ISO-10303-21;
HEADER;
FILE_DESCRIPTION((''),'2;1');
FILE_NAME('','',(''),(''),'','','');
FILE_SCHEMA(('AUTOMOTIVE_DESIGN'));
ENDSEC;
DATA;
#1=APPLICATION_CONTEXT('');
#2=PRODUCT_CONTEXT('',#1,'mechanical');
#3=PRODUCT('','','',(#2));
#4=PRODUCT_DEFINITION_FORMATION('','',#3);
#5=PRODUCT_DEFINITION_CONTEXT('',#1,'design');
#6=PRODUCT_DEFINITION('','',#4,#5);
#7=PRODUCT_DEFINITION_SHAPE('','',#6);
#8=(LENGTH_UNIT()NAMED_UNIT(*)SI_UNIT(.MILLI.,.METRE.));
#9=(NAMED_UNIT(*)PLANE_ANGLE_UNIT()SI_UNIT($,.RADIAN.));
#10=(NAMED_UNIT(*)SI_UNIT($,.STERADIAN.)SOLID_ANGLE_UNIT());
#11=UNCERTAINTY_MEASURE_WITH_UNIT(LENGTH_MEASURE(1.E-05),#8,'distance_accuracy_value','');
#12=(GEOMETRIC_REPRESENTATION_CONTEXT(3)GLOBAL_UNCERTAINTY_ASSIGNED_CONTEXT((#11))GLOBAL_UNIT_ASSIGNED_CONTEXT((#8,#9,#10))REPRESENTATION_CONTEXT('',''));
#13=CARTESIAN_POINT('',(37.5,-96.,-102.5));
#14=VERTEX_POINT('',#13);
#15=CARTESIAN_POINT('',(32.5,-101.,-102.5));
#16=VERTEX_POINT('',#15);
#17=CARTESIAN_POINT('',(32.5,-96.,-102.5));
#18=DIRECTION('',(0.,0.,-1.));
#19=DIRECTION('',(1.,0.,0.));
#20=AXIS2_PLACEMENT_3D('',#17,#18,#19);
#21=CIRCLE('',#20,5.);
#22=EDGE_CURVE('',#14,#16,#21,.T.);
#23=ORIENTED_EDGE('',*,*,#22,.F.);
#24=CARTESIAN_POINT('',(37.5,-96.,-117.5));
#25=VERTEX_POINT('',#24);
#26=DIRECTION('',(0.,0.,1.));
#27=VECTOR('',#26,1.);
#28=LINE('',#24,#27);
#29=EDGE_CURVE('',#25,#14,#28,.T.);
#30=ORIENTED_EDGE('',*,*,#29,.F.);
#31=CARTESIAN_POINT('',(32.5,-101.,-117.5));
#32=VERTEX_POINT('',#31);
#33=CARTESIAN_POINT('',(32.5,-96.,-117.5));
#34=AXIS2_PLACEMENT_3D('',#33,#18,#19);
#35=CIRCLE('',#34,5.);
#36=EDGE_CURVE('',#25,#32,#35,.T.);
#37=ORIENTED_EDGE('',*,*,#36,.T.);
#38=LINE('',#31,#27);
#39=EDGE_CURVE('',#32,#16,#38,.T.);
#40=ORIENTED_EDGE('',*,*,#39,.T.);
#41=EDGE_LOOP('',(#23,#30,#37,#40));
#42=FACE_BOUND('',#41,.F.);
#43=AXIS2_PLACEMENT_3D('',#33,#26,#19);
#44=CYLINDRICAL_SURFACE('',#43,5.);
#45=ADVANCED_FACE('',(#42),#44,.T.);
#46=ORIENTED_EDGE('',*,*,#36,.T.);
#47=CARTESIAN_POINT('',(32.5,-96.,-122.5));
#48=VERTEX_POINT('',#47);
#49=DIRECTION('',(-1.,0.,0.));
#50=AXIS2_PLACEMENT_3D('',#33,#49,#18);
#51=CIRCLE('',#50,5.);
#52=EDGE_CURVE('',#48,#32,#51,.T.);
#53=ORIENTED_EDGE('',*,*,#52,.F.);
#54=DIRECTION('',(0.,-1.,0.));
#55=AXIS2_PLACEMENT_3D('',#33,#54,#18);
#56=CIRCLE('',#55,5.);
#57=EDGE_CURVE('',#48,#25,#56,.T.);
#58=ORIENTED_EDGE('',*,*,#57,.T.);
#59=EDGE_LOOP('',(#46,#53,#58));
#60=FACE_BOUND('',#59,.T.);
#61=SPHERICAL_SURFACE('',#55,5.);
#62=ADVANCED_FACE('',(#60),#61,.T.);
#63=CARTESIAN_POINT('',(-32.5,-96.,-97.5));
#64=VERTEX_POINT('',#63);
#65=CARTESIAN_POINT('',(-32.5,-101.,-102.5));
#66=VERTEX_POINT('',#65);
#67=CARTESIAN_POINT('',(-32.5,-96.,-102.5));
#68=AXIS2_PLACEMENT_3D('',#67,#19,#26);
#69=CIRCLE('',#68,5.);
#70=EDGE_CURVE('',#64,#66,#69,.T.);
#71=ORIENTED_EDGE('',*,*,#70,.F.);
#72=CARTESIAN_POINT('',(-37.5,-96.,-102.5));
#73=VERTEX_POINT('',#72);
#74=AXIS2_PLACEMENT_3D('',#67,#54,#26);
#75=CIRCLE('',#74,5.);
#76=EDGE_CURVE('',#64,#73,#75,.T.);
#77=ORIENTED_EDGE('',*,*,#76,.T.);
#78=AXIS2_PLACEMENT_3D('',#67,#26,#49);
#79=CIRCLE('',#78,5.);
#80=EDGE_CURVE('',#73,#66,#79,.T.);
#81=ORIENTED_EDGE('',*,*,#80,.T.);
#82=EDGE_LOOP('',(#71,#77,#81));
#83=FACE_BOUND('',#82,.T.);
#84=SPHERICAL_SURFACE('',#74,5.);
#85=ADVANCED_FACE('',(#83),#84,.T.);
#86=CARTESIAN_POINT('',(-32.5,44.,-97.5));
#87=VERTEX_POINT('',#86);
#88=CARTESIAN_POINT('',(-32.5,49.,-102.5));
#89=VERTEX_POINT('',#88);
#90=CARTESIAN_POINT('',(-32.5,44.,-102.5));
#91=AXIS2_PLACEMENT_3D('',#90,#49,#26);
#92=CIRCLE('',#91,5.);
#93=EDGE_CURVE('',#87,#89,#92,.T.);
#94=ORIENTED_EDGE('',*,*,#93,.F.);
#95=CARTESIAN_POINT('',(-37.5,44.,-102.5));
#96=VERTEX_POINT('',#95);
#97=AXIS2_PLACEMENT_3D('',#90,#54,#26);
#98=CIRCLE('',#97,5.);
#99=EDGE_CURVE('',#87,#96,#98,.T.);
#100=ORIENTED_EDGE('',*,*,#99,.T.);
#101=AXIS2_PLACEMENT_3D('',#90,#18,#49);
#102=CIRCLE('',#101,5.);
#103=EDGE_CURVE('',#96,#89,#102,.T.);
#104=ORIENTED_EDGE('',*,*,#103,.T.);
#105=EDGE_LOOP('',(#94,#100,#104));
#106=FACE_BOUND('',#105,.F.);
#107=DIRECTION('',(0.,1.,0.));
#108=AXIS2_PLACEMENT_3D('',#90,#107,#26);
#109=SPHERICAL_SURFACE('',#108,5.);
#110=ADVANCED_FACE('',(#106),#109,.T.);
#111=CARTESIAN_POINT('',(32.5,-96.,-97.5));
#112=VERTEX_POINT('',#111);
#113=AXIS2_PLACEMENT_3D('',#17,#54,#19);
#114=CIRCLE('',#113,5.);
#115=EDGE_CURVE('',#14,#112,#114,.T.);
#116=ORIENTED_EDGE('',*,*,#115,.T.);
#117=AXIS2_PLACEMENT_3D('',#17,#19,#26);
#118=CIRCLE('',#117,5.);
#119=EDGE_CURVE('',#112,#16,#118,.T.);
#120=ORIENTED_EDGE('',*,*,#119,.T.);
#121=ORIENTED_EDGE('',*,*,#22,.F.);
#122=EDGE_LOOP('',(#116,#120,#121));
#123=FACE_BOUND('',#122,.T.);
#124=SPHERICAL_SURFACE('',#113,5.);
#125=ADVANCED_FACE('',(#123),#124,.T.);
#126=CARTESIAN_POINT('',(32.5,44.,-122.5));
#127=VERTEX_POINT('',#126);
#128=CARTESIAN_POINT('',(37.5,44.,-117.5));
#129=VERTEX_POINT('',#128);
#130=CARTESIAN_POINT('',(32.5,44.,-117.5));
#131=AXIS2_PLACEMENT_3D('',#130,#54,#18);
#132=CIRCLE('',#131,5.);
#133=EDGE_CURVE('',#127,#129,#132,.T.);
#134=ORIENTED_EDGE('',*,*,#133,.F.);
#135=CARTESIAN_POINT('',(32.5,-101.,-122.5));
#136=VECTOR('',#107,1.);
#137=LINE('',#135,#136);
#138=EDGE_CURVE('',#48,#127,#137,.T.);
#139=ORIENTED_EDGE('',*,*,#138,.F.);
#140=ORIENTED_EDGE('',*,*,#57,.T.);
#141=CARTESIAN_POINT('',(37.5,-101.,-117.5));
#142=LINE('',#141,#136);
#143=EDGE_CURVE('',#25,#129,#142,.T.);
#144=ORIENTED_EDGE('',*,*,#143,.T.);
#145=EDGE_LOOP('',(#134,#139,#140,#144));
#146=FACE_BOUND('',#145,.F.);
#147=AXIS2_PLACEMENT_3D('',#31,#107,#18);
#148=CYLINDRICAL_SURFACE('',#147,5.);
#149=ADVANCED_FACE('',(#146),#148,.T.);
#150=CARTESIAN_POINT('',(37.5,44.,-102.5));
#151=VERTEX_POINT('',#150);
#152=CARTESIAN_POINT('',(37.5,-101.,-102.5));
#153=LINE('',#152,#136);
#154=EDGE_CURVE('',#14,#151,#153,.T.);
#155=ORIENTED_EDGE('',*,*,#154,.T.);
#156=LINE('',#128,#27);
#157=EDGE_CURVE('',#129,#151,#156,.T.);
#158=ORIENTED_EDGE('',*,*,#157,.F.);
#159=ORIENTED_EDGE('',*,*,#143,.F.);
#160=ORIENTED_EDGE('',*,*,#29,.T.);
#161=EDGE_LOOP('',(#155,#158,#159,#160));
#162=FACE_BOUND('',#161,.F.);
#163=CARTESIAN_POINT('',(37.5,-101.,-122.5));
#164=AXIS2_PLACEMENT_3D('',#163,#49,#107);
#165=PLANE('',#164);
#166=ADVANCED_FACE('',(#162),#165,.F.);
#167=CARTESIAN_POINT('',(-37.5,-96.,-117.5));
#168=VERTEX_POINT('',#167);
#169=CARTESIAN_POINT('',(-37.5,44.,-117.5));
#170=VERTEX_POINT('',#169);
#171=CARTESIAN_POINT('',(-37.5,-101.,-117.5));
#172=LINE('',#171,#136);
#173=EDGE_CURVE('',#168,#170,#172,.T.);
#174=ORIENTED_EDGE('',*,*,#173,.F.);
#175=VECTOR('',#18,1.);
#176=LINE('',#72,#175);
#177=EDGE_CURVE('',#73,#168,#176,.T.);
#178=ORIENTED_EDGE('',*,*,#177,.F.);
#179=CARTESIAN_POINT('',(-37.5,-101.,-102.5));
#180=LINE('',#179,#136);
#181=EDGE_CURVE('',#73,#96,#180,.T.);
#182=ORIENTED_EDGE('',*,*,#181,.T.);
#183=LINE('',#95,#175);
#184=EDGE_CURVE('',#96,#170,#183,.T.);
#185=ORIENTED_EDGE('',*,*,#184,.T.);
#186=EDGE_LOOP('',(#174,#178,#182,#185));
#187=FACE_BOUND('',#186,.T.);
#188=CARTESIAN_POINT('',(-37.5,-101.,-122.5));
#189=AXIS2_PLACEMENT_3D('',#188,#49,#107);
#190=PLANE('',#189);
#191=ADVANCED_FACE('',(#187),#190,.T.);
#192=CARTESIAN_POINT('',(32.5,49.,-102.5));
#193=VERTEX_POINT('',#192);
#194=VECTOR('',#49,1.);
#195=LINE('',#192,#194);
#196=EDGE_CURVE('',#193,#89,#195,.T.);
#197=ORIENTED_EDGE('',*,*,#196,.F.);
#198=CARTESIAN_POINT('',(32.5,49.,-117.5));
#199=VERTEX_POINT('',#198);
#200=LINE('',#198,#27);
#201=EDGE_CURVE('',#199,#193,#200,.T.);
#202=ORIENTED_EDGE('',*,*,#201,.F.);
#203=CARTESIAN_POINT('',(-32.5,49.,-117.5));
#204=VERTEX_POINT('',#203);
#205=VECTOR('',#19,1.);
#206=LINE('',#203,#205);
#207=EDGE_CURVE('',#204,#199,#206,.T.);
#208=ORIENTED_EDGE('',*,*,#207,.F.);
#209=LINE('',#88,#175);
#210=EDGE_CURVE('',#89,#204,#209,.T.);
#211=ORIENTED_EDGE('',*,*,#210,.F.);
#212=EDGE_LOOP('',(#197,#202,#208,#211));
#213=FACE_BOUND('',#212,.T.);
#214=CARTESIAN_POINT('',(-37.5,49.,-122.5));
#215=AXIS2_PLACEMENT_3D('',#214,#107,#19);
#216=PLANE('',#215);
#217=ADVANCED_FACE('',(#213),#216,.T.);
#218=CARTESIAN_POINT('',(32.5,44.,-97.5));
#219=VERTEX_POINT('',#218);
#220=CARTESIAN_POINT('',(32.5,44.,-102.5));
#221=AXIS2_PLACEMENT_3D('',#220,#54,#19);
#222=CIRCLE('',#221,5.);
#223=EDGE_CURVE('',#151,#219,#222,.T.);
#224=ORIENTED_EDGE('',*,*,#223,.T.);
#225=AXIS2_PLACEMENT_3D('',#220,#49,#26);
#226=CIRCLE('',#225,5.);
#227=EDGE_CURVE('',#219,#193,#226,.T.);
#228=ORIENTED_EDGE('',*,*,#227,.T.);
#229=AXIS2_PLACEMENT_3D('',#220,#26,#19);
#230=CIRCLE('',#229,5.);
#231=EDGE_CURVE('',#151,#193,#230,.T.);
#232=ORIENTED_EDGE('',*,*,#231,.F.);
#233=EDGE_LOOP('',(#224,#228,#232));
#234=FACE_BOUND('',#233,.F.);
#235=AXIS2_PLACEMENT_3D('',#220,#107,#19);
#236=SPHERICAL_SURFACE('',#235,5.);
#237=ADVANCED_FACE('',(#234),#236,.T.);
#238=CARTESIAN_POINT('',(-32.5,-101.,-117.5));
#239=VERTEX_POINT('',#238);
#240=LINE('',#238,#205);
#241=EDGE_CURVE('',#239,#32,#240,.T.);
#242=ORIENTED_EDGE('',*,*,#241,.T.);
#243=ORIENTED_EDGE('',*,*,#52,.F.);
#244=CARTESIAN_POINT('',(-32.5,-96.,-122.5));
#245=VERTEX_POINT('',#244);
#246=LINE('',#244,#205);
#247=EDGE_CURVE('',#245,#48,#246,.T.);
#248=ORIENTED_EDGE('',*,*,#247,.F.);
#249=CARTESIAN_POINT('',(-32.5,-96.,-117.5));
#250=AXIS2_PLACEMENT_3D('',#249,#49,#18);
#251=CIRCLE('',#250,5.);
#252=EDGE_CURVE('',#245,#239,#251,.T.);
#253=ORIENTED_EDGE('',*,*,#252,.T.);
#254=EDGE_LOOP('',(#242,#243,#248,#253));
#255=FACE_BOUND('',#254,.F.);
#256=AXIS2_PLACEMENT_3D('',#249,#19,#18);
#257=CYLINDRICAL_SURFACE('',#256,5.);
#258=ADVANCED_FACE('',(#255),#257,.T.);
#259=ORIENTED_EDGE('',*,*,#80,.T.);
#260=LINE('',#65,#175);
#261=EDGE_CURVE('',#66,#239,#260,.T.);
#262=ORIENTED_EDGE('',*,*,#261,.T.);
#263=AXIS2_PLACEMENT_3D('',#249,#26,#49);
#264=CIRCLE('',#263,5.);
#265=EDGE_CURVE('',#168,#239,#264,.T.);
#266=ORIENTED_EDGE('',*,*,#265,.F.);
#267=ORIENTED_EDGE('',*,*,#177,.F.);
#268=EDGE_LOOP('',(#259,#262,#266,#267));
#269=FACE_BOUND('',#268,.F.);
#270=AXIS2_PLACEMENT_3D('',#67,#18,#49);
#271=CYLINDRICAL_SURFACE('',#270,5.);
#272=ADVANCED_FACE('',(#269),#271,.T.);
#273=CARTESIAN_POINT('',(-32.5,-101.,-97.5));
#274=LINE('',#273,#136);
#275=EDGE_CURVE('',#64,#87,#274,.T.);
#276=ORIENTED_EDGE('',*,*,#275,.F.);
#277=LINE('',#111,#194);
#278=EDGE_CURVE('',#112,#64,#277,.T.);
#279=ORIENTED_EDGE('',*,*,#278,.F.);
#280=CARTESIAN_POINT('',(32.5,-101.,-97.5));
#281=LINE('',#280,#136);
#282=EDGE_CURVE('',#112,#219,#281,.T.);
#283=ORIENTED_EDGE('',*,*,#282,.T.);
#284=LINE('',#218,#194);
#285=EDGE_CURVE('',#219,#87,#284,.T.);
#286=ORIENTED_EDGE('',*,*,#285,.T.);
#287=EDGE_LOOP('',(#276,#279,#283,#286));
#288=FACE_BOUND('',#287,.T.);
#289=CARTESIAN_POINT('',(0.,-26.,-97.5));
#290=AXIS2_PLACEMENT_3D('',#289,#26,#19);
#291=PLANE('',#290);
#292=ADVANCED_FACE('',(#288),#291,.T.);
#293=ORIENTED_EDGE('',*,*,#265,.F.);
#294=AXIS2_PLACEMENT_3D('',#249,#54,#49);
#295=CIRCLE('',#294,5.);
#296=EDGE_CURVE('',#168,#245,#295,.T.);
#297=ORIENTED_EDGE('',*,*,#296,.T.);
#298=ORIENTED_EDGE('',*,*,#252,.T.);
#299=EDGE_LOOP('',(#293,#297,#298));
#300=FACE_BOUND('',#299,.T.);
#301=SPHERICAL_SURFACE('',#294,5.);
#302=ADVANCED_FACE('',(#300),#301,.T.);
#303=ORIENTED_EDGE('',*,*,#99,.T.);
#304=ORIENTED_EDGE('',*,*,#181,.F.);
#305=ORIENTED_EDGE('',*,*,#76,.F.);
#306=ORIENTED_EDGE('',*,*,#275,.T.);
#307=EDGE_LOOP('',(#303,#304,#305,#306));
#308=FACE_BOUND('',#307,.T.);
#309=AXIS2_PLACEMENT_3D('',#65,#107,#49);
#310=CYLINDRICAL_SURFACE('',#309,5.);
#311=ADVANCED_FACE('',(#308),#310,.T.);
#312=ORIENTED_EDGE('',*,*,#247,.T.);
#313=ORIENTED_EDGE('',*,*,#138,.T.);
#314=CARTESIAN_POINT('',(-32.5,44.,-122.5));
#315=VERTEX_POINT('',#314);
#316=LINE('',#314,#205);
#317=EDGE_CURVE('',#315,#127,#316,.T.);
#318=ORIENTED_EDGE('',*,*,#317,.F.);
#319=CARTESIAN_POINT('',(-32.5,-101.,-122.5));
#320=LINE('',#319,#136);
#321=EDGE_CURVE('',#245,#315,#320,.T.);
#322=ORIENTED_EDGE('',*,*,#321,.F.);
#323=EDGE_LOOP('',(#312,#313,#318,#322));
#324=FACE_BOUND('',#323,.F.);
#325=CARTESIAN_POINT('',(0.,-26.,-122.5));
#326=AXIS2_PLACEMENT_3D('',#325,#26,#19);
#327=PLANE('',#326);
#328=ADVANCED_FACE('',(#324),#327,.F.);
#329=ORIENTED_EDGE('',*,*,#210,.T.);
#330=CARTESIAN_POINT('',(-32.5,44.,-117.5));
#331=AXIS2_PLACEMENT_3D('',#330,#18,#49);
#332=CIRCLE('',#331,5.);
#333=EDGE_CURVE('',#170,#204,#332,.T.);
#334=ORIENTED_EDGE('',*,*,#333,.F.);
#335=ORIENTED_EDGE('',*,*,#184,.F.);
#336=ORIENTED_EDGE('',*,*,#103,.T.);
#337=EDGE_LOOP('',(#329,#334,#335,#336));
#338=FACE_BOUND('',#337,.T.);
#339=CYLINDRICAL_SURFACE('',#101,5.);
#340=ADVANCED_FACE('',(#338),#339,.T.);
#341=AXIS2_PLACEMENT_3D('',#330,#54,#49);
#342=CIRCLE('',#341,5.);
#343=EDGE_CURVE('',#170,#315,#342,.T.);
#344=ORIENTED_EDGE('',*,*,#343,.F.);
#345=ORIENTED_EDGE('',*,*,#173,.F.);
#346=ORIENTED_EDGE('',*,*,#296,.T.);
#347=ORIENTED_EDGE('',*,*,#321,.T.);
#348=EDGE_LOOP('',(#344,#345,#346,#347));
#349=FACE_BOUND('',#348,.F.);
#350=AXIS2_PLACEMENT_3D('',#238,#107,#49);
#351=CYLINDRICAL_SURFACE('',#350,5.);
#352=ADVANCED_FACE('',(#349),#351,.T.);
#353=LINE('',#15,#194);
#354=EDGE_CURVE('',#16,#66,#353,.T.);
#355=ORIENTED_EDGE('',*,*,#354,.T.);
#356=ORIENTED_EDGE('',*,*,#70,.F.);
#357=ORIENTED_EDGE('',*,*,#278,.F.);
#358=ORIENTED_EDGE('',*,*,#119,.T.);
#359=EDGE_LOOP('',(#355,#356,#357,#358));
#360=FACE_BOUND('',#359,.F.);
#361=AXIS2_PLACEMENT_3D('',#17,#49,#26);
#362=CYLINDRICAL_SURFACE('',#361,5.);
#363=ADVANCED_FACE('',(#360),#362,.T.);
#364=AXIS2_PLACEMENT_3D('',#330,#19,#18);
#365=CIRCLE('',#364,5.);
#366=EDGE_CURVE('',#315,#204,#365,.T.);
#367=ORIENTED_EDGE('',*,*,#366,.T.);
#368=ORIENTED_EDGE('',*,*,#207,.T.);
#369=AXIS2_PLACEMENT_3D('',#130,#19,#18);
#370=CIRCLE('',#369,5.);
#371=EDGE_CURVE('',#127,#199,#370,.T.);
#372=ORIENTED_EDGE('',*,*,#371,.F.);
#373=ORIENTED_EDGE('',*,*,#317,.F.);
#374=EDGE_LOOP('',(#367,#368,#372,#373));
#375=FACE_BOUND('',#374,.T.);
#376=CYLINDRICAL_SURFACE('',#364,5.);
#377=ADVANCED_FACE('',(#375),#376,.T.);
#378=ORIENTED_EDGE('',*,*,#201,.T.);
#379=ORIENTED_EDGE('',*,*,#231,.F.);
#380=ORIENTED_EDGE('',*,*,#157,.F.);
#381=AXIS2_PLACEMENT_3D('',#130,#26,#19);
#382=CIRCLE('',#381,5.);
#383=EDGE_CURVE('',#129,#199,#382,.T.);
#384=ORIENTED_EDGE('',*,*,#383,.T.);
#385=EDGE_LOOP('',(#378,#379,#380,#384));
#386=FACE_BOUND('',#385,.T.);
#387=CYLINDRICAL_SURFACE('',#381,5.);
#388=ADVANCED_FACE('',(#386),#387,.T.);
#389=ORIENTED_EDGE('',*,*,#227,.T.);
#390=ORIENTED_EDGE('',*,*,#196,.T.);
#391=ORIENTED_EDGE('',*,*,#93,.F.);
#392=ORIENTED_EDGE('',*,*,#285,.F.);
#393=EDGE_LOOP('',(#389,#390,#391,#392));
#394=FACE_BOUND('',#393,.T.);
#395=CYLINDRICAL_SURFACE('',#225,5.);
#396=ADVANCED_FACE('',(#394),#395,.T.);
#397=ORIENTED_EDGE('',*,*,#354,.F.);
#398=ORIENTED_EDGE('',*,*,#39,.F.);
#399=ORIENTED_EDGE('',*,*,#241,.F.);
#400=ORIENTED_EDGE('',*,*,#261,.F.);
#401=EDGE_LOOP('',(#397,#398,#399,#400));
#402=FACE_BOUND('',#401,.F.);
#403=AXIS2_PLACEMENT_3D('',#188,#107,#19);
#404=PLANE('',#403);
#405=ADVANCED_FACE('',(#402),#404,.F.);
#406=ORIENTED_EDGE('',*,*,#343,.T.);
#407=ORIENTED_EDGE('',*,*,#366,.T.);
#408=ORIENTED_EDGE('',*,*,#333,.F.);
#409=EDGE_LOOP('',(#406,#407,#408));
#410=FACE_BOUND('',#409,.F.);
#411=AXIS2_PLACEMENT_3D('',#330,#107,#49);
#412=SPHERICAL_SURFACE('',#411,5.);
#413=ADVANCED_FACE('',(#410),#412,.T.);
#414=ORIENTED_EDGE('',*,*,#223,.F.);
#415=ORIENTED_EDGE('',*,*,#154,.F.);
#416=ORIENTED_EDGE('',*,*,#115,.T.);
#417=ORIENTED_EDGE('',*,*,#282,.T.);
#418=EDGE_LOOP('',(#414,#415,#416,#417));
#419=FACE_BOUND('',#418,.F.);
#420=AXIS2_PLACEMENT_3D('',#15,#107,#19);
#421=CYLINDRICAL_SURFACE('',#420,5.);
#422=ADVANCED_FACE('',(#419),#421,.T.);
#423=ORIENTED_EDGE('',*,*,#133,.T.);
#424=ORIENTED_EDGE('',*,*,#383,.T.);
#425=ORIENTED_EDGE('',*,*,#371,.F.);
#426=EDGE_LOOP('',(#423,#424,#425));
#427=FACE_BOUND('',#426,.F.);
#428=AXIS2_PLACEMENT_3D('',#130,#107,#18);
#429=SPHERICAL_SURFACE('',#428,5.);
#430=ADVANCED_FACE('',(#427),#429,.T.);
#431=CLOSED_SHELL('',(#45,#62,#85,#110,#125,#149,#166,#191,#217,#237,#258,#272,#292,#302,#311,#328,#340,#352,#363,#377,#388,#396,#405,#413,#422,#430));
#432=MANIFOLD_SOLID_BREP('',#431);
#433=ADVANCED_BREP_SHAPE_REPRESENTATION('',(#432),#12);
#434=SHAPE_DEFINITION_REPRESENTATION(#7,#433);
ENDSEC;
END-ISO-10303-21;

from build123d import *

# Parameters (mm, degrees)
BOX003_W     = 75
BOX003_H     = 150
BOX003_DEPTH = 25
FILLET_R     = 5
FILLET001_R  = 5
FILLET002_R  = 5
FILLET003_R  = 5
FILLET004_R  = 5
FILLET005_R  = 5


with BuildPart() as part:
    # Box003 → Box003 (new body)
    with BuildSketch(Plane(origin=(-37.5, -101, -29), x_dir=(1, 0, 0), z_dir=(0, 0, 1))):
        with Locations((37.5, 75)):
            Rectangle(BOX003_W, BOX003_H)
    extrude(amount=BOX003_DEPTH)

    # Fillet
    fillet_edges = [part.edges().sort_by_distance(p)[0] for p in [
        (-37.5, -26, -4),
    ]]
    fillet(fillet_edges, radius=FILLET_R)

    # Fillet001
    fillet001_edges = [part.edges().sort_by_distance(p)[0] for p in [
        (-37.5, -26, -29),
    ]]
    fillet(fillet001_edges, radius=FILLET001_R)

    # Fillet002
    fillet002_edges = [part.edges().sort_by_distance(p)[0] for p in [
        (37.5, -26, -29),
    ]]
    fillet(fillet002_edges, radius=FILLET002_R)

    # Fillet003
    fillet003_edges = [part.edges().sort_by_distance(p)[0] for p in [
        (37.5, -26, -4),
    ]]
    fillet(fillet003_edges, radius=FILLET003_R)

    # Fillet004
    fillet004_edges = [part.edges().sort_by_distance(p)[0] for p in [
        (0, 49, -29),
    ]]
    fillet(fillet004_edges, radius=FILLET004_R)

    # Fillet005
    fillet005_edges = [part.edges().sort_by_distance(p)[0] for p in [
        (37.5, -101, -16.5),
        (0, -101, -4),
        (0, -101, -29),
        (-37.5, -101, -16.5),
    ]]
    fillet(fillet005_edges, radius=FILLET005_R)


with BuildPart() as part_1:
    # Fillet005 placement: moved
    add(part.part.moved(Location((0, 0, -93.5))))


solid = part_1.part
